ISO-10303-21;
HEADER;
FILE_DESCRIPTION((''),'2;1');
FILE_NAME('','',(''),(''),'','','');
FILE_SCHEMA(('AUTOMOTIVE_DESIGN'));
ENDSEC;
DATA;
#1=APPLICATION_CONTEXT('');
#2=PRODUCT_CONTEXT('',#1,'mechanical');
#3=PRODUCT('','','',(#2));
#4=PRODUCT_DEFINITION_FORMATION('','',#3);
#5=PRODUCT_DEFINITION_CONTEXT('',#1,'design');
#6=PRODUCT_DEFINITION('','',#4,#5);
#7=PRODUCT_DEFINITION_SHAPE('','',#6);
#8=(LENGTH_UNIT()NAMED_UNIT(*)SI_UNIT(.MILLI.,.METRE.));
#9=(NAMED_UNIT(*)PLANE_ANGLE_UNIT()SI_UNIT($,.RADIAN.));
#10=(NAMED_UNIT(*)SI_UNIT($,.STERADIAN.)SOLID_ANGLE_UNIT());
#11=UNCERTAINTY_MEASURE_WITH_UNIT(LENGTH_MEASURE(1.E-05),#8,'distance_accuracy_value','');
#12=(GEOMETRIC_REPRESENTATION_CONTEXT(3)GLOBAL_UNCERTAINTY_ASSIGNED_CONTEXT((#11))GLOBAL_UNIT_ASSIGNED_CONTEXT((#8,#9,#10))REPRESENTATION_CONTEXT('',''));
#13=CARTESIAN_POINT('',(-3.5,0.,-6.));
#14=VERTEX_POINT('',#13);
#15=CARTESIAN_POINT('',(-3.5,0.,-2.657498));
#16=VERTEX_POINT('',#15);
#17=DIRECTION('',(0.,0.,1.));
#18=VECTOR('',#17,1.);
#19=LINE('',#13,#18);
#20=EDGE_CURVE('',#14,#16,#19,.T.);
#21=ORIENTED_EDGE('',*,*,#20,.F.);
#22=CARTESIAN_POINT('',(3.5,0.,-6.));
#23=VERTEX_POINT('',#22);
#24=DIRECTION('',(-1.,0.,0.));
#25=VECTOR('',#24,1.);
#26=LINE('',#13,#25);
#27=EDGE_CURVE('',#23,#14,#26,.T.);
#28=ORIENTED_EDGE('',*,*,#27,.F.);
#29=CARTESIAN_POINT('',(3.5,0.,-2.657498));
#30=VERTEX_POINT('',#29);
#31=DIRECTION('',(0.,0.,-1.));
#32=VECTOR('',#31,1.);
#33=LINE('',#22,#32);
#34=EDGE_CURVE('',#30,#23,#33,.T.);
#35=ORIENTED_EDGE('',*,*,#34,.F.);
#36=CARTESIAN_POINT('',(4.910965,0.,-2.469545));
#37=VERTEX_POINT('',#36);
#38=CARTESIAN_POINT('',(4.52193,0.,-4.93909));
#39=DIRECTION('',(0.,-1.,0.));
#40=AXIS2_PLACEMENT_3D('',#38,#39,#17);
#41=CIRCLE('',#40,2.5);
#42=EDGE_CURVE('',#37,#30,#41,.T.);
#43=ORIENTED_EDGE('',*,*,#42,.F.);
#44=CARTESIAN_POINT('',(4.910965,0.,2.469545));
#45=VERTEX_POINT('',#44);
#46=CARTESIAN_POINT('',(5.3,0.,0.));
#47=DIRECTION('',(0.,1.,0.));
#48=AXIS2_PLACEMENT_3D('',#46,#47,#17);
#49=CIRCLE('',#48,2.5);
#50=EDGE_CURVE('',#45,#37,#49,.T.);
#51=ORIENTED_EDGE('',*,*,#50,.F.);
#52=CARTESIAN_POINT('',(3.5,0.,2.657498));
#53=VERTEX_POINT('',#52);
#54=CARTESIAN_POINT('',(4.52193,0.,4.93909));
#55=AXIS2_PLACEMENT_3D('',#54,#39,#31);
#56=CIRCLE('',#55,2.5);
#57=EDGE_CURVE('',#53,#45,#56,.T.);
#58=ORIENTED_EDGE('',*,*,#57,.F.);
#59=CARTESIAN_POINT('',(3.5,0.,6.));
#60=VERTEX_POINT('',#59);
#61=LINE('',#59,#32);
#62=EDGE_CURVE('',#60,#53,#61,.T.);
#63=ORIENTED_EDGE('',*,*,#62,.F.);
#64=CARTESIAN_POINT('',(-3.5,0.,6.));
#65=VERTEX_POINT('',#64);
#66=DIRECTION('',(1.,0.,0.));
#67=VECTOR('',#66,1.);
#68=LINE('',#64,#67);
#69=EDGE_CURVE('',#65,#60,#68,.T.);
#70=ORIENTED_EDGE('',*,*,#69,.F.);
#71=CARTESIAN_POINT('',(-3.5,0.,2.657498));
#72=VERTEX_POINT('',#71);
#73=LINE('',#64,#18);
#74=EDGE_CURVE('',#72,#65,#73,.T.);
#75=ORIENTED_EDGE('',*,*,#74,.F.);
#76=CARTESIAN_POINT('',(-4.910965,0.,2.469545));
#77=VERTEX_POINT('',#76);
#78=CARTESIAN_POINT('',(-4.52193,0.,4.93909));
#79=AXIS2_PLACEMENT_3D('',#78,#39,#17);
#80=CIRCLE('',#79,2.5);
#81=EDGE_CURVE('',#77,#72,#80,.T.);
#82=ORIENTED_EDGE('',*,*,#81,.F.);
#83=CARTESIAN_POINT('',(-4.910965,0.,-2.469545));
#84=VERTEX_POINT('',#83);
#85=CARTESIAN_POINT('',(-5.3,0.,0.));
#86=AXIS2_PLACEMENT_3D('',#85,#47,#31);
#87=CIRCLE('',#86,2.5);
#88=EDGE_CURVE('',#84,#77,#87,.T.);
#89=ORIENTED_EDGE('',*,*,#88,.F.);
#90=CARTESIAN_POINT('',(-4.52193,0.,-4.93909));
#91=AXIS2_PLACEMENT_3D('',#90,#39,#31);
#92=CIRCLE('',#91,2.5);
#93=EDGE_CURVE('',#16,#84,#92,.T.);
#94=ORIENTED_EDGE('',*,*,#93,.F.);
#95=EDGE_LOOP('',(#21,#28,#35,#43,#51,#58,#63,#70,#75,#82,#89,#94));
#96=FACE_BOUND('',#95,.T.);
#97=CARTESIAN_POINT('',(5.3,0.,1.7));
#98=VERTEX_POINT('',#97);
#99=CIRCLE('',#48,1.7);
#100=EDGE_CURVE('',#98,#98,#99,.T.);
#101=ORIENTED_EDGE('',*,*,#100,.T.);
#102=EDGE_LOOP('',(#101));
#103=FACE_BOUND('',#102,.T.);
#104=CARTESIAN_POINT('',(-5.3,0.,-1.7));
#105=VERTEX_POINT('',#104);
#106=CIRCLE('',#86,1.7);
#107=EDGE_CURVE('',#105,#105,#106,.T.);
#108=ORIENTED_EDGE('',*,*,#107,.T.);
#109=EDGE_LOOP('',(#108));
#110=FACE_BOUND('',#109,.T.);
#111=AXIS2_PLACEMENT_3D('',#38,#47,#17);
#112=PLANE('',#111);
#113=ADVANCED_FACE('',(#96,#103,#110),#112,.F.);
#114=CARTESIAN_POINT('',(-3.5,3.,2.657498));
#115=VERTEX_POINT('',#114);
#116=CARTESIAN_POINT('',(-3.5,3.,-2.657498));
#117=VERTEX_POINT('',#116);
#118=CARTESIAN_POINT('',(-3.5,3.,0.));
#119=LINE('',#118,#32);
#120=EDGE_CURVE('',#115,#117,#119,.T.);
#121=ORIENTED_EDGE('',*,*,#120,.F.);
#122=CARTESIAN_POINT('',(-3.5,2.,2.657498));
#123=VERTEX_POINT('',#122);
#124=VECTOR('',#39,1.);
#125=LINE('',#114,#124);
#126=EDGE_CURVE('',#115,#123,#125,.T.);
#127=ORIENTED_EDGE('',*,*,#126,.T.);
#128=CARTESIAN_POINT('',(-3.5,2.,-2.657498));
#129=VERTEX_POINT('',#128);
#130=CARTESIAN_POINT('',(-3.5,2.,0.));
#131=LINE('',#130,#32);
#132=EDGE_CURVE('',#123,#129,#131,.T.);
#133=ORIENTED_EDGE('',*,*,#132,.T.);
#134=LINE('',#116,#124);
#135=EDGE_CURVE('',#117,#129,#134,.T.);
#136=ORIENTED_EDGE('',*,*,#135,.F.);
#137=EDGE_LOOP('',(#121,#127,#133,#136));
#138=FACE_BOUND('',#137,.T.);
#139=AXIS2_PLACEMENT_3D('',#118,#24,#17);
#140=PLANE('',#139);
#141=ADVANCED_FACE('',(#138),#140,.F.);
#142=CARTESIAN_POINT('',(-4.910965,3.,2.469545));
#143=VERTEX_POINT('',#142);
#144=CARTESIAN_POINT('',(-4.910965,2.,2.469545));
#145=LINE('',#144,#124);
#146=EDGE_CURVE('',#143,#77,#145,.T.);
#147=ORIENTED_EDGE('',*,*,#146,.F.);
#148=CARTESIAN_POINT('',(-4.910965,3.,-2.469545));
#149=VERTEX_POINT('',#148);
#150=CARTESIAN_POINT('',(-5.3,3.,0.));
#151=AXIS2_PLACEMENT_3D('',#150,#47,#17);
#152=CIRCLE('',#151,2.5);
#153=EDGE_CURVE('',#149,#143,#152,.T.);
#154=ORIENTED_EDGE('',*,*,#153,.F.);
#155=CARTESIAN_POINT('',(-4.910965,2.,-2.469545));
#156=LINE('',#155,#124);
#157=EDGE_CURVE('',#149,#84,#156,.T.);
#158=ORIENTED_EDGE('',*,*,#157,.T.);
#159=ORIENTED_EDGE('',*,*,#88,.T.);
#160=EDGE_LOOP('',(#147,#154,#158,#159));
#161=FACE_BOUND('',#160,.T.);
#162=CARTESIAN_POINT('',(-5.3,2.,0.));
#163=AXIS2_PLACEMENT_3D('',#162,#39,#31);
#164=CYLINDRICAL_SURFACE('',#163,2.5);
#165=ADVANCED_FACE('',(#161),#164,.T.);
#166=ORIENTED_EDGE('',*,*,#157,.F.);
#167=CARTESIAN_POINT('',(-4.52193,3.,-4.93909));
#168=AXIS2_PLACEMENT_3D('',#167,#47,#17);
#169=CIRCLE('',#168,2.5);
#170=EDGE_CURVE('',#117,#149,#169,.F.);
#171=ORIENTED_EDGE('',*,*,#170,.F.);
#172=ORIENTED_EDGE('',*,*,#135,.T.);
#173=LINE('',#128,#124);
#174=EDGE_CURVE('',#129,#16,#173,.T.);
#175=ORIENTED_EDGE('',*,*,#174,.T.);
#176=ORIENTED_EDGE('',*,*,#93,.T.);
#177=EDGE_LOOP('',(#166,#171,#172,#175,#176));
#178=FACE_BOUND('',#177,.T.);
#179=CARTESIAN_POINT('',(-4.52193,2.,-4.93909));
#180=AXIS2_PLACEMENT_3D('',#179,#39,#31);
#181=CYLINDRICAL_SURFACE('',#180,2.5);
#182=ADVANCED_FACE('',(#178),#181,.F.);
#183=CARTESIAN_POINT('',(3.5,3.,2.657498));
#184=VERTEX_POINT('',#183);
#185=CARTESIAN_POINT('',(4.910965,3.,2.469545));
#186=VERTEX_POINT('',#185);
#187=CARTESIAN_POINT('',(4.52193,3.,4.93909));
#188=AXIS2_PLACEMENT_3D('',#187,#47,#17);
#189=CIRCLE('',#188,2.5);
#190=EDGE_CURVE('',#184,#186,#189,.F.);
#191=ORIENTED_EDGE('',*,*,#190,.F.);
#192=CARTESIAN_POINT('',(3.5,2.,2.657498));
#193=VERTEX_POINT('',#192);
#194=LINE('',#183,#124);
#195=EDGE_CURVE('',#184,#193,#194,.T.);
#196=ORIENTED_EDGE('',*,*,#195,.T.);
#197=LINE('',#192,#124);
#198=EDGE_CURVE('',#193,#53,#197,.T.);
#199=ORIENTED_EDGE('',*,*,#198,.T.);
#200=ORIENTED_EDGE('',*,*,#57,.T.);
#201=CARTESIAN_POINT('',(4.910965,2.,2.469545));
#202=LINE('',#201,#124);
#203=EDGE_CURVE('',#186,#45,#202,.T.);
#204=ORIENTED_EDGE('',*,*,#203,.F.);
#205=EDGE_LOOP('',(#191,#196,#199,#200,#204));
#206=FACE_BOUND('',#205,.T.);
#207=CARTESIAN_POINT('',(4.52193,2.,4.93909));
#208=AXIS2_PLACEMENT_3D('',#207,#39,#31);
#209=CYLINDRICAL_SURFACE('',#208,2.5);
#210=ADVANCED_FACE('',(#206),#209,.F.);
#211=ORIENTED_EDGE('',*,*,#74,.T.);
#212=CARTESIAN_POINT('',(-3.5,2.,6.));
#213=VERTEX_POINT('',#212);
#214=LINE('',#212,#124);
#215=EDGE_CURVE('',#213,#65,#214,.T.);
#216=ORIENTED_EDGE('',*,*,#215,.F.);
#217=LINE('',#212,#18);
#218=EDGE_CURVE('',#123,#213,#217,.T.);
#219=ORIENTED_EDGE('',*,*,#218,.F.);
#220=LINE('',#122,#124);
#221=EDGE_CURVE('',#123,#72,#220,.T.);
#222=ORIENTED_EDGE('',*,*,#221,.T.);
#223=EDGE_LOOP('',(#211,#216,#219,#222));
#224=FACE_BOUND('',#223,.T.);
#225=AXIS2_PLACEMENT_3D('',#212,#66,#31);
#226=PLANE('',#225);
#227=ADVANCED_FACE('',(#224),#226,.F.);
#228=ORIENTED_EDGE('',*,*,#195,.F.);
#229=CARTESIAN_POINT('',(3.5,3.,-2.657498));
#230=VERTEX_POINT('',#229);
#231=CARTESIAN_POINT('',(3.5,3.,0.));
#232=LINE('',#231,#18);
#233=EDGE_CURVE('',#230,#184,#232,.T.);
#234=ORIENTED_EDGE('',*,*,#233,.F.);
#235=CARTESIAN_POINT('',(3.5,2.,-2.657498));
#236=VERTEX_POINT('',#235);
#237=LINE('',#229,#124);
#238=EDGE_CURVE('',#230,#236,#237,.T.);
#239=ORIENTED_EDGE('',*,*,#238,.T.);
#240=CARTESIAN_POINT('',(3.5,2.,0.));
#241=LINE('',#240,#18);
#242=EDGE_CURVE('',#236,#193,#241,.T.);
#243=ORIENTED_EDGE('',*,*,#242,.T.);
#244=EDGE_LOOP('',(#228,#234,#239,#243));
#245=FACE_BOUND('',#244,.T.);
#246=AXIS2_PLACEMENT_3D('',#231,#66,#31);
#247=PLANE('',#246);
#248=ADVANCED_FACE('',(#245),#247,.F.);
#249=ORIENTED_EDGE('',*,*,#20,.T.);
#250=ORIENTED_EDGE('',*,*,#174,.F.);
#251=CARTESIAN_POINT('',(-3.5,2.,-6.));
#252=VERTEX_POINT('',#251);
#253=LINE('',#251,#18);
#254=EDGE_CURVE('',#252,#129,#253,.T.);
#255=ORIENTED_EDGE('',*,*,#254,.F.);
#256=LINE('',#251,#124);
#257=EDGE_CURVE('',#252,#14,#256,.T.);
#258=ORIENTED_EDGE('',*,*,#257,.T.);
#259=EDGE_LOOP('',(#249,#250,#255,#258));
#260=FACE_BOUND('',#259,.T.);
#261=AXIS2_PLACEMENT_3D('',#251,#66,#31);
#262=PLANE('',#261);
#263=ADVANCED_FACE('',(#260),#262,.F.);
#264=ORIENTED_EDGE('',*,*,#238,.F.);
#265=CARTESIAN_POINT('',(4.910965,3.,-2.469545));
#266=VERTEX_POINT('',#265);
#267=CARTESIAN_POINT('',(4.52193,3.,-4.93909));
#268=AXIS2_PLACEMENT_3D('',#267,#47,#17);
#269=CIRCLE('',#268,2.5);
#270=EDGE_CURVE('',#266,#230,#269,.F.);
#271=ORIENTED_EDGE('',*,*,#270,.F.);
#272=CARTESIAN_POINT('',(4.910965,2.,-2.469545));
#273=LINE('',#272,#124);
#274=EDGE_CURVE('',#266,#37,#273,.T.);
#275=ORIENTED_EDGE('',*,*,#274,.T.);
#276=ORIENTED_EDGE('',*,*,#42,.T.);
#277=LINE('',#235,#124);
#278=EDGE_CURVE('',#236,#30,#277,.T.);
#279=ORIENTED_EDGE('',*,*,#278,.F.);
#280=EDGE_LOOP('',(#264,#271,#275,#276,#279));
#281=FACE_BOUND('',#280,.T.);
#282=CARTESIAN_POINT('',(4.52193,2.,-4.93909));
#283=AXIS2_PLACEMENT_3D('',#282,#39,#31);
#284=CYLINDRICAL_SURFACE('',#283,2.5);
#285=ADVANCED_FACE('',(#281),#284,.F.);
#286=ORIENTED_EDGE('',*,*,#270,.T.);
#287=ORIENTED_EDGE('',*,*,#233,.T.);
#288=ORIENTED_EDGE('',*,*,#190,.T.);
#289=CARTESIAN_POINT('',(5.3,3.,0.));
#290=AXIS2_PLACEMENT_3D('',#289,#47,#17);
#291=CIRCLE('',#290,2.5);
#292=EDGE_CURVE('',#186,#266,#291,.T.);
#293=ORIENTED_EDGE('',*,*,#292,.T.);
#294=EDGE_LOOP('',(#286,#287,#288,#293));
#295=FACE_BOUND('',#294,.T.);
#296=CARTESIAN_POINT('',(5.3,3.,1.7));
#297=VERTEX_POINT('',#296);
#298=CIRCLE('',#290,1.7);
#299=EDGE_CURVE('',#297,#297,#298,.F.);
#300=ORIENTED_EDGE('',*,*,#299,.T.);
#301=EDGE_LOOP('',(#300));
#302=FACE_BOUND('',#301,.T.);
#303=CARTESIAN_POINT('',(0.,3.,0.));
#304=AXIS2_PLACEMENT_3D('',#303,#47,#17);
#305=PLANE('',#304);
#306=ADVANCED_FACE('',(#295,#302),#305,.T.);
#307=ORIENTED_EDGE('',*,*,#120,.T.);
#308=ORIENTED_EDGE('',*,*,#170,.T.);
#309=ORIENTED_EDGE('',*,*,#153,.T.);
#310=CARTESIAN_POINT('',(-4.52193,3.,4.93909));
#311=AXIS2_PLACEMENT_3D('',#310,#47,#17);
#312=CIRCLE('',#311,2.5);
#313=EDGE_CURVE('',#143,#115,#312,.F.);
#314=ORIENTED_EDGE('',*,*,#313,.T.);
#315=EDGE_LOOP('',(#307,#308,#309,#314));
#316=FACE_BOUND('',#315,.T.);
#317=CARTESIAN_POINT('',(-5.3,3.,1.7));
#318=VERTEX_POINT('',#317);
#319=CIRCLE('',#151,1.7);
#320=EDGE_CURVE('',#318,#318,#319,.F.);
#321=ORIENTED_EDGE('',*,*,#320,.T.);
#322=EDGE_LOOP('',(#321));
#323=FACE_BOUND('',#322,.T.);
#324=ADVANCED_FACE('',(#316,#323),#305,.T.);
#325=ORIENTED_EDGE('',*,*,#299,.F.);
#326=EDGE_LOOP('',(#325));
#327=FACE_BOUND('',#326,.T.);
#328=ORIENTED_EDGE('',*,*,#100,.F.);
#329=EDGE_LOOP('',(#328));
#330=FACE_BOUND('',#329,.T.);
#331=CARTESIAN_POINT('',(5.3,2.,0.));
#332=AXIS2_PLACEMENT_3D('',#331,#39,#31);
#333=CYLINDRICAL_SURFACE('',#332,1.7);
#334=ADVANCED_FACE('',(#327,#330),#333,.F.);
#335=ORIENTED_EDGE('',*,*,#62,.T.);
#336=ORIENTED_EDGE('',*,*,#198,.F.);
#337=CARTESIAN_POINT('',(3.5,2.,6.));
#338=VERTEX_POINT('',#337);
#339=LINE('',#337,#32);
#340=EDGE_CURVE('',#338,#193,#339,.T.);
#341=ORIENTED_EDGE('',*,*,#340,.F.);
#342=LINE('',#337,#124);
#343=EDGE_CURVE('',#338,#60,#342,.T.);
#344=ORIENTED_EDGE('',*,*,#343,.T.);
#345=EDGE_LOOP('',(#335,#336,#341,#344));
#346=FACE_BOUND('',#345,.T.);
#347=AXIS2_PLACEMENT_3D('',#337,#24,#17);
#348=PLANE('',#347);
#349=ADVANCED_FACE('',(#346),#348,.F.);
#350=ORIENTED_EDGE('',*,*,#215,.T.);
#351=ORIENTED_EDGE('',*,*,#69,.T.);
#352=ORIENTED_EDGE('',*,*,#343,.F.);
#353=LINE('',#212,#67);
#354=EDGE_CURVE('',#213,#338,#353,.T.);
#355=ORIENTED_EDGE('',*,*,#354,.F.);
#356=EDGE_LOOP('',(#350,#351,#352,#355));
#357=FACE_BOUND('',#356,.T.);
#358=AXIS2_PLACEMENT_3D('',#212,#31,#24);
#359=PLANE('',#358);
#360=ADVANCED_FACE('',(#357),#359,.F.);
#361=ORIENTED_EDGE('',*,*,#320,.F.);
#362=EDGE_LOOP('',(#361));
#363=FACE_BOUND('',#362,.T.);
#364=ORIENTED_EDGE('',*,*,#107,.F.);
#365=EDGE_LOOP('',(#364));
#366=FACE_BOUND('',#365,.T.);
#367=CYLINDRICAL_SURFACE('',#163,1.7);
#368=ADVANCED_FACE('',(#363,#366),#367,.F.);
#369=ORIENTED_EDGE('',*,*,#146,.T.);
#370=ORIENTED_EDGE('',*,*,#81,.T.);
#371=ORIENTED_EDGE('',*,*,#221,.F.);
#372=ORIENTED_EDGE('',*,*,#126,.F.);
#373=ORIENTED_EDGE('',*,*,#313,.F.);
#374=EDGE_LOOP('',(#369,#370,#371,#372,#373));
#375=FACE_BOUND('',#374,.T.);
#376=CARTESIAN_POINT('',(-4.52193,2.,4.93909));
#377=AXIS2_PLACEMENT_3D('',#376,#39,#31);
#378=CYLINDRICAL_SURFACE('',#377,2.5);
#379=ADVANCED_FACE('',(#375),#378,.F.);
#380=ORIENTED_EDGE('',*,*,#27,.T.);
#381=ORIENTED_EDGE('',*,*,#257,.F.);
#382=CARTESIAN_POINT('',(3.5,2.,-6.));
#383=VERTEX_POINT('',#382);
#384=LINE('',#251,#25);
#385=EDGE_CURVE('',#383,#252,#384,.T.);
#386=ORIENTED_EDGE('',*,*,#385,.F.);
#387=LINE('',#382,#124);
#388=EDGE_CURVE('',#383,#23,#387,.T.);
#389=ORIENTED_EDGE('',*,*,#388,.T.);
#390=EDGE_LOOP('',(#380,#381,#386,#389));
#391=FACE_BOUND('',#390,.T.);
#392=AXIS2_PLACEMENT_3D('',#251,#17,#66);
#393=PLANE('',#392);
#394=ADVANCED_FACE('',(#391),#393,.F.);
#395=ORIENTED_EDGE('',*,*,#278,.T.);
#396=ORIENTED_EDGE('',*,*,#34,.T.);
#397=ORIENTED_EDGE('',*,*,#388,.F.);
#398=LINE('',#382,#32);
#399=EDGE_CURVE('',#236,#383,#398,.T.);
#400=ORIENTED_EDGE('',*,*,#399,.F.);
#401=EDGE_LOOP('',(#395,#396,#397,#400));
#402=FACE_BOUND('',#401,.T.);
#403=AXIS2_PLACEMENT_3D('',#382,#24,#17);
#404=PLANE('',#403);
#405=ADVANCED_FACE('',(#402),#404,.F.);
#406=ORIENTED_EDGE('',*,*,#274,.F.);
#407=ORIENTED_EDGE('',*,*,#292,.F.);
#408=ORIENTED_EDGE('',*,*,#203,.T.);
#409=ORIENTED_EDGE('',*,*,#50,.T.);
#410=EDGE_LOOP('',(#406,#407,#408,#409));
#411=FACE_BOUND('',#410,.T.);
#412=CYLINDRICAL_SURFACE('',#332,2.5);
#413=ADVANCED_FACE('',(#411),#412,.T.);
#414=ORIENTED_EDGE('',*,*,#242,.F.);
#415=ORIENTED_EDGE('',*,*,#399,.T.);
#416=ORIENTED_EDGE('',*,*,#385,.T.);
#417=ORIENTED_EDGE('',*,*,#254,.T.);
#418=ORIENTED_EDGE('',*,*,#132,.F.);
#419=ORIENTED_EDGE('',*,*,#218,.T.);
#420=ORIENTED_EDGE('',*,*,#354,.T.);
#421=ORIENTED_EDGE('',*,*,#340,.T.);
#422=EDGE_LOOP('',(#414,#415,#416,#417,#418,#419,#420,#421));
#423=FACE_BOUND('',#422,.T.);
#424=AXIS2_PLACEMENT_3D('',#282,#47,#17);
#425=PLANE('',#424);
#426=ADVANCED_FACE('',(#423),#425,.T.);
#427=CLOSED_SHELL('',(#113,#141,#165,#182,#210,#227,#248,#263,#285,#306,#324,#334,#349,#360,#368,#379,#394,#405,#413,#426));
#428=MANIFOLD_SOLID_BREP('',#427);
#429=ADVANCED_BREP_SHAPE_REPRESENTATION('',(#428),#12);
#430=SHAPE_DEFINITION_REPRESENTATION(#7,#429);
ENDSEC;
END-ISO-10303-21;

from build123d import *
from build123d.topology import SkipClean

# Parameters (mm, degrees)
CROQUIS1_R              = 1.7
SALIENTE_EXTRUIR1_DEPTH = 2
CROQUIS5_R              = 1.7
BOSS_EXTRUDE1_DEPTH     = 1


with BuildPart() as part:
    # Croquis1 → Saliente-Extruir1 (new body)
    with BuildSketch(Plane(origin=(0, 0, 0), x_dir=(1, 0, 0), z_dir=(0, 1, 0))):
        with BuildLine():
            Line((-3.5, 6), (3.5, 6))
            Line((3.5, 6), (3.5, 2.657498126))
            ThreePointArc((3.5, 2.657498126), (4.191822894, 2.460979566), (4.910964812, 2.469544821))
            ThreePointArc((4.910964812, 2.469544821), (7.8, 0), (4.910964812, -2.469544821))
            ThreePointArc((4.910964812, -2.469544821), (4.191822894, -2.460979566), (3.5, -2.657498126))
            Line((3.5, -2.657498126), (3.5, -6))
            Line((3.5, -6), (-3.5, -6))
            Line((-3.5, -6), (-3.5, -2.657498126))
            ThreePointArc((-3.5, -2.657498126), (-4.191822894, -2.460979566), (-4.910964812, -2.469544821))
            ThreePointArc((-4.910964812, -2.469544821), (-7.8, 0), (-4.910964812, 2.469544821))
            ThreePointArc((-4.910964812, 2.469544821), (-4.191822894, 2.460979566), (-3.5, 2.657498126))
            Line((-3.5, 2.657498126), (-3.5, 6))
        make_face()
        with Locations(Location((5.3, 0, 0), (0, 0, 270))):
            Circle(CROQUIS1_R, mode=Mode.SUBTRACT)
        with Locations(Location((-5.3, 0, 0), (0, 0, 90))):
            Circle(CROQUIS1_R, mode=Mode.SUBTRACT)
    extrude(amount=SALIENTE_EXTRUIR1_DEPTH)

    # Croquis5 → Boss-Extrude1 (add)
    with SkipClean():  # the faces are left unmerged after this step: merging them gives an invalid solid
        with BuildSketch(Plane(origin=(0, 2, 0), x_dir=(1, 0, 0), z_dir=(0, 1, 0))):
            with BuildLine():
                ThreePointArc((4.910964812, 2.469544821), (4.191822894, 2.460979566), (3.5, 2.657498126))
                Line((3.5, 2.657498126), (3.5, -2.657498126))
                ThreePointArc((3.5, -2.657498126), (4.191822894, -2.460979566), (4.910964812, -2.469544821))
                ThreePointArc((4.910964812, -2.469544821), (7.8, 0), (4.910964812, 2.469544821))
            make_face()
            with Locations((5.3, 0)):
                Circle(CROQUIS5_R, mode=Mode.SUBTRACT)
            with BuildLine():
                ThreePointArc((-4.910964812, -2.469544821), (-4.191822894, -2.460979566), (-3.5, -2.657498126))
                Line((-3.5, -2.657498126), (-3.5, 2.657498126))
                ThreePointArc((-3.5, 2.657498126), (-4.191822894, 2.460979566), (-4.910964812, 2.469544821))
                ThreePointArc((-4.910964812, 2.469544821), (-7.8, 0), (-4.910964812, -2.469544821))
            make_face()
            with Locations((-5.3, 0)):
                Circle(CROQUIS5_R, mode=Mode.SUBTRACT)
        extrude(amount=BOSS_EXTRUDE1_DEPTH)


solid = part.part
